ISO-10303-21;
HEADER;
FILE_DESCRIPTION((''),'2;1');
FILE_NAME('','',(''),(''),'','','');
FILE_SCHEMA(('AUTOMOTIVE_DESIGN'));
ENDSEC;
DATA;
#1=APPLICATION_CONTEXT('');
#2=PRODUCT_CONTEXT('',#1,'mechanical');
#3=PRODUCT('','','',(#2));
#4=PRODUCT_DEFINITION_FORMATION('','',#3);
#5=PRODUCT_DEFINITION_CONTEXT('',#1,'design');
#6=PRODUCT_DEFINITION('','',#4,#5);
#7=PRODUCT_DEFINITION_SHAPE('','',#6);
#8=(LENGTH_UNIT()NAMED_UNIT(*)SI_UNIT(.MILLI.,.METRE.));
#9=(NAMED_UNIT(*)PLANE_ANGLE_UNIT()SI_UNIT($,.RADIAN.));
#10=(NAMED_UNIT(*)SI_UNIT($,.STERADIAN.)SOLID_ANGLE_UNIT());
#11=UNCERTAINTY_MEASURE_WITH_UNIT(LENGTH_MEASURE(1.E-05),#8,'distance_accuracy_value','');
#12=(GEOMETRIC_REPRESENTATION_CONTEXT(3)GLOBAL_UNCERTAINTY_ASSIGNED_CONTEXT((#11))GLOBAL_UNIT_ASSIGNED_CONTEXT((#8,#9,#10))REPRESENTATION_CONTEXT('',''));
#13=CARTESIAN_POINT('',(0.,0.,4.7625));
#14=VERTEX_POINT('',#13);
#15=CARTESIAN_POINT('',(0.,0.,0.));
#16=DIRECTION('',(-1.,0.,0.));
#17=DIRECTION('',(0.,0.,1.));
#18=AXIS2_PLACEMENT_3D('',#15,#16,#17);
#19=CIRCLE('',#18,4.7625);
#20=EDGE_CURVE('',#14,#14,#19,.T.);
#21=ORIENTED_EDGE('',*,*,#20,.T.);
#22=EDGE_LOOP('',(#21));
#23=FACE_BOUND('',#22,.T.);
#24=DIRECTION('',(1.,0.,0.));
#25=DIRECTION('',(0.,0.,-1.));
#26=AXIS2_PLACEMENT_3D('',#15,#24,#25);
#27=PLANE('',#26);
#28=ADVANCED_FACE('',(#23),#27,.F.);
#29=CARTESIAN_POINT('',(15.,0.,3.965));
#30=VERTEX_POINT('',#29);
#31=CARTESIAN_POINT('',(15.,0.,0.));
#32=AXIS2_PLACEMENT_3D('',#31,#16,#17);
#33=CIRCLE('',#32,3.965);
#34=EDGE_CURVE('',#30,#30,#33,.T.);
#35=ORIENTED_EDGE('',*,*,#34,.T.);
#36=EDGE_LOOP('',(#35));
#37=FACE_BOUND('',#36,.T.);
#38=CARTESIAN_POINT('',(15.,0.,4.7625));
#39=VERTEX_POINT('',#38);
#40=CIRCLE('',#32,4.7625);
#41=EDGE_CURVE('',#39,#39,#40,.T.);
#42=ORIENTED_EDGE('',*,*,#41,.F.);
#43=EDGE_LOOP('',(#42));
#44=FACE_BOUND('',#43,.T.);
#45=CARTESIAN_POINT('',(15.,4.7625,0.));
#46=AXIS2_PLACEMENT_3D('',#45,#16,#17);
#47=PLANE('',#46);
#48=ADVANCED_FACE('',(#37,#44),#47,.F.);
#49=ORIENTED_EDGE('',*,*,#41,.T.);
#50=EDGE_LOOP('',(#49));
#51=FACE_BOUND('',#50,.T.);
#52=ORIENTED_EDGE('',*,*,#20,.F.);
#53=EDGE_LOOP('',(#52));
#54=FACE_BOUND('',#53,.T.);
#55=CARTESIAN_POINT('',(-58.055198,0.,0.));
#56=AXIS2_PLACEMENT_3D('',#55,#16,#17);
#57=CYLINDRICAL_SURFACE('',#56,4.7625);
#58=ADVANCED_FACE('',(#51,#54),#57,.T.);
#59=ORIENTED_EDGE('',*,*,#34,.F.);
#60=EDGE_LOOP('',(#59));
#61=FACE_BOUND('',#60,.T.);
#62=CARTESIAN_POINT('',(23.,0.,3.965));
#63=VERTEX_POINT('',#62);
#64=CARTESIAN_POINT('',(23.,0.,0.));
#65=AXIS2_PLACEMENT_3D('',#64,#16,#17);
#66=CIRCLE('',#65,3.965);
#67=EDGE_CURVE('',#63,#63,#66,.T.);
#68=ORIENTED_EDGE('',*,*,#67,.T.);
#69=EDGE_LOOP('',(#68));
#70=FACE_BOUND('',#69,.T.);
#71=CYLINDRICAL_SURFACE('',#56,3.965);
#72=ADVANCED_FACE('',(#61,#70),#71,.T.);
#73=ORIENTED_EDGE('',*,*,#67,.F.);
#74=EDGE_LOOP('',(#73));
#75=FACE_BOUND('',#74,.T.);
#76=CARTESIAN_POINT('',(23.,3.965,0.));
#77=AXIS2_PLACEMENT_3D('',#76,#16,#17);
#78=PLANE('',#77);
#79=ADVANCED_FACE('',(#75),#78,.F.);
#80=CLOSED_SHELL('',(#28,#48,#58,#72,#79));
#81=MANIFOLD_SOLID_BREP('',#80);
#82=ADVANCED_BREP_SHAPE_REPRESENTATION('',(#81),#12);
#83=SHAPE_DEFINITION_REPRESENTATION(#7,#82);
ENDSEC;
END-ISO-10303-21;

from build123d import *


with BuildPart() as part:
    # Sketch1 → Revolve1 (revolve)
    with BuildSketch(Plane.XY, mode=Mode.PRIVATE) as revolve1_sk:
        Polygon((0, 0), (0, 4.7625), (15, 4.7625), (15, 3.965), (23, 3.965), (23, 0), align=None)
    revolve(revolve1_sk.sketch.rotate(Axis((-58.055198008, 0, 0), (1, 0, 0)), 90), axis=Axis((-58.055198008, 0, 0), (1, 0, 0)))  # turned: the seam where the file's is


solid = part.part
